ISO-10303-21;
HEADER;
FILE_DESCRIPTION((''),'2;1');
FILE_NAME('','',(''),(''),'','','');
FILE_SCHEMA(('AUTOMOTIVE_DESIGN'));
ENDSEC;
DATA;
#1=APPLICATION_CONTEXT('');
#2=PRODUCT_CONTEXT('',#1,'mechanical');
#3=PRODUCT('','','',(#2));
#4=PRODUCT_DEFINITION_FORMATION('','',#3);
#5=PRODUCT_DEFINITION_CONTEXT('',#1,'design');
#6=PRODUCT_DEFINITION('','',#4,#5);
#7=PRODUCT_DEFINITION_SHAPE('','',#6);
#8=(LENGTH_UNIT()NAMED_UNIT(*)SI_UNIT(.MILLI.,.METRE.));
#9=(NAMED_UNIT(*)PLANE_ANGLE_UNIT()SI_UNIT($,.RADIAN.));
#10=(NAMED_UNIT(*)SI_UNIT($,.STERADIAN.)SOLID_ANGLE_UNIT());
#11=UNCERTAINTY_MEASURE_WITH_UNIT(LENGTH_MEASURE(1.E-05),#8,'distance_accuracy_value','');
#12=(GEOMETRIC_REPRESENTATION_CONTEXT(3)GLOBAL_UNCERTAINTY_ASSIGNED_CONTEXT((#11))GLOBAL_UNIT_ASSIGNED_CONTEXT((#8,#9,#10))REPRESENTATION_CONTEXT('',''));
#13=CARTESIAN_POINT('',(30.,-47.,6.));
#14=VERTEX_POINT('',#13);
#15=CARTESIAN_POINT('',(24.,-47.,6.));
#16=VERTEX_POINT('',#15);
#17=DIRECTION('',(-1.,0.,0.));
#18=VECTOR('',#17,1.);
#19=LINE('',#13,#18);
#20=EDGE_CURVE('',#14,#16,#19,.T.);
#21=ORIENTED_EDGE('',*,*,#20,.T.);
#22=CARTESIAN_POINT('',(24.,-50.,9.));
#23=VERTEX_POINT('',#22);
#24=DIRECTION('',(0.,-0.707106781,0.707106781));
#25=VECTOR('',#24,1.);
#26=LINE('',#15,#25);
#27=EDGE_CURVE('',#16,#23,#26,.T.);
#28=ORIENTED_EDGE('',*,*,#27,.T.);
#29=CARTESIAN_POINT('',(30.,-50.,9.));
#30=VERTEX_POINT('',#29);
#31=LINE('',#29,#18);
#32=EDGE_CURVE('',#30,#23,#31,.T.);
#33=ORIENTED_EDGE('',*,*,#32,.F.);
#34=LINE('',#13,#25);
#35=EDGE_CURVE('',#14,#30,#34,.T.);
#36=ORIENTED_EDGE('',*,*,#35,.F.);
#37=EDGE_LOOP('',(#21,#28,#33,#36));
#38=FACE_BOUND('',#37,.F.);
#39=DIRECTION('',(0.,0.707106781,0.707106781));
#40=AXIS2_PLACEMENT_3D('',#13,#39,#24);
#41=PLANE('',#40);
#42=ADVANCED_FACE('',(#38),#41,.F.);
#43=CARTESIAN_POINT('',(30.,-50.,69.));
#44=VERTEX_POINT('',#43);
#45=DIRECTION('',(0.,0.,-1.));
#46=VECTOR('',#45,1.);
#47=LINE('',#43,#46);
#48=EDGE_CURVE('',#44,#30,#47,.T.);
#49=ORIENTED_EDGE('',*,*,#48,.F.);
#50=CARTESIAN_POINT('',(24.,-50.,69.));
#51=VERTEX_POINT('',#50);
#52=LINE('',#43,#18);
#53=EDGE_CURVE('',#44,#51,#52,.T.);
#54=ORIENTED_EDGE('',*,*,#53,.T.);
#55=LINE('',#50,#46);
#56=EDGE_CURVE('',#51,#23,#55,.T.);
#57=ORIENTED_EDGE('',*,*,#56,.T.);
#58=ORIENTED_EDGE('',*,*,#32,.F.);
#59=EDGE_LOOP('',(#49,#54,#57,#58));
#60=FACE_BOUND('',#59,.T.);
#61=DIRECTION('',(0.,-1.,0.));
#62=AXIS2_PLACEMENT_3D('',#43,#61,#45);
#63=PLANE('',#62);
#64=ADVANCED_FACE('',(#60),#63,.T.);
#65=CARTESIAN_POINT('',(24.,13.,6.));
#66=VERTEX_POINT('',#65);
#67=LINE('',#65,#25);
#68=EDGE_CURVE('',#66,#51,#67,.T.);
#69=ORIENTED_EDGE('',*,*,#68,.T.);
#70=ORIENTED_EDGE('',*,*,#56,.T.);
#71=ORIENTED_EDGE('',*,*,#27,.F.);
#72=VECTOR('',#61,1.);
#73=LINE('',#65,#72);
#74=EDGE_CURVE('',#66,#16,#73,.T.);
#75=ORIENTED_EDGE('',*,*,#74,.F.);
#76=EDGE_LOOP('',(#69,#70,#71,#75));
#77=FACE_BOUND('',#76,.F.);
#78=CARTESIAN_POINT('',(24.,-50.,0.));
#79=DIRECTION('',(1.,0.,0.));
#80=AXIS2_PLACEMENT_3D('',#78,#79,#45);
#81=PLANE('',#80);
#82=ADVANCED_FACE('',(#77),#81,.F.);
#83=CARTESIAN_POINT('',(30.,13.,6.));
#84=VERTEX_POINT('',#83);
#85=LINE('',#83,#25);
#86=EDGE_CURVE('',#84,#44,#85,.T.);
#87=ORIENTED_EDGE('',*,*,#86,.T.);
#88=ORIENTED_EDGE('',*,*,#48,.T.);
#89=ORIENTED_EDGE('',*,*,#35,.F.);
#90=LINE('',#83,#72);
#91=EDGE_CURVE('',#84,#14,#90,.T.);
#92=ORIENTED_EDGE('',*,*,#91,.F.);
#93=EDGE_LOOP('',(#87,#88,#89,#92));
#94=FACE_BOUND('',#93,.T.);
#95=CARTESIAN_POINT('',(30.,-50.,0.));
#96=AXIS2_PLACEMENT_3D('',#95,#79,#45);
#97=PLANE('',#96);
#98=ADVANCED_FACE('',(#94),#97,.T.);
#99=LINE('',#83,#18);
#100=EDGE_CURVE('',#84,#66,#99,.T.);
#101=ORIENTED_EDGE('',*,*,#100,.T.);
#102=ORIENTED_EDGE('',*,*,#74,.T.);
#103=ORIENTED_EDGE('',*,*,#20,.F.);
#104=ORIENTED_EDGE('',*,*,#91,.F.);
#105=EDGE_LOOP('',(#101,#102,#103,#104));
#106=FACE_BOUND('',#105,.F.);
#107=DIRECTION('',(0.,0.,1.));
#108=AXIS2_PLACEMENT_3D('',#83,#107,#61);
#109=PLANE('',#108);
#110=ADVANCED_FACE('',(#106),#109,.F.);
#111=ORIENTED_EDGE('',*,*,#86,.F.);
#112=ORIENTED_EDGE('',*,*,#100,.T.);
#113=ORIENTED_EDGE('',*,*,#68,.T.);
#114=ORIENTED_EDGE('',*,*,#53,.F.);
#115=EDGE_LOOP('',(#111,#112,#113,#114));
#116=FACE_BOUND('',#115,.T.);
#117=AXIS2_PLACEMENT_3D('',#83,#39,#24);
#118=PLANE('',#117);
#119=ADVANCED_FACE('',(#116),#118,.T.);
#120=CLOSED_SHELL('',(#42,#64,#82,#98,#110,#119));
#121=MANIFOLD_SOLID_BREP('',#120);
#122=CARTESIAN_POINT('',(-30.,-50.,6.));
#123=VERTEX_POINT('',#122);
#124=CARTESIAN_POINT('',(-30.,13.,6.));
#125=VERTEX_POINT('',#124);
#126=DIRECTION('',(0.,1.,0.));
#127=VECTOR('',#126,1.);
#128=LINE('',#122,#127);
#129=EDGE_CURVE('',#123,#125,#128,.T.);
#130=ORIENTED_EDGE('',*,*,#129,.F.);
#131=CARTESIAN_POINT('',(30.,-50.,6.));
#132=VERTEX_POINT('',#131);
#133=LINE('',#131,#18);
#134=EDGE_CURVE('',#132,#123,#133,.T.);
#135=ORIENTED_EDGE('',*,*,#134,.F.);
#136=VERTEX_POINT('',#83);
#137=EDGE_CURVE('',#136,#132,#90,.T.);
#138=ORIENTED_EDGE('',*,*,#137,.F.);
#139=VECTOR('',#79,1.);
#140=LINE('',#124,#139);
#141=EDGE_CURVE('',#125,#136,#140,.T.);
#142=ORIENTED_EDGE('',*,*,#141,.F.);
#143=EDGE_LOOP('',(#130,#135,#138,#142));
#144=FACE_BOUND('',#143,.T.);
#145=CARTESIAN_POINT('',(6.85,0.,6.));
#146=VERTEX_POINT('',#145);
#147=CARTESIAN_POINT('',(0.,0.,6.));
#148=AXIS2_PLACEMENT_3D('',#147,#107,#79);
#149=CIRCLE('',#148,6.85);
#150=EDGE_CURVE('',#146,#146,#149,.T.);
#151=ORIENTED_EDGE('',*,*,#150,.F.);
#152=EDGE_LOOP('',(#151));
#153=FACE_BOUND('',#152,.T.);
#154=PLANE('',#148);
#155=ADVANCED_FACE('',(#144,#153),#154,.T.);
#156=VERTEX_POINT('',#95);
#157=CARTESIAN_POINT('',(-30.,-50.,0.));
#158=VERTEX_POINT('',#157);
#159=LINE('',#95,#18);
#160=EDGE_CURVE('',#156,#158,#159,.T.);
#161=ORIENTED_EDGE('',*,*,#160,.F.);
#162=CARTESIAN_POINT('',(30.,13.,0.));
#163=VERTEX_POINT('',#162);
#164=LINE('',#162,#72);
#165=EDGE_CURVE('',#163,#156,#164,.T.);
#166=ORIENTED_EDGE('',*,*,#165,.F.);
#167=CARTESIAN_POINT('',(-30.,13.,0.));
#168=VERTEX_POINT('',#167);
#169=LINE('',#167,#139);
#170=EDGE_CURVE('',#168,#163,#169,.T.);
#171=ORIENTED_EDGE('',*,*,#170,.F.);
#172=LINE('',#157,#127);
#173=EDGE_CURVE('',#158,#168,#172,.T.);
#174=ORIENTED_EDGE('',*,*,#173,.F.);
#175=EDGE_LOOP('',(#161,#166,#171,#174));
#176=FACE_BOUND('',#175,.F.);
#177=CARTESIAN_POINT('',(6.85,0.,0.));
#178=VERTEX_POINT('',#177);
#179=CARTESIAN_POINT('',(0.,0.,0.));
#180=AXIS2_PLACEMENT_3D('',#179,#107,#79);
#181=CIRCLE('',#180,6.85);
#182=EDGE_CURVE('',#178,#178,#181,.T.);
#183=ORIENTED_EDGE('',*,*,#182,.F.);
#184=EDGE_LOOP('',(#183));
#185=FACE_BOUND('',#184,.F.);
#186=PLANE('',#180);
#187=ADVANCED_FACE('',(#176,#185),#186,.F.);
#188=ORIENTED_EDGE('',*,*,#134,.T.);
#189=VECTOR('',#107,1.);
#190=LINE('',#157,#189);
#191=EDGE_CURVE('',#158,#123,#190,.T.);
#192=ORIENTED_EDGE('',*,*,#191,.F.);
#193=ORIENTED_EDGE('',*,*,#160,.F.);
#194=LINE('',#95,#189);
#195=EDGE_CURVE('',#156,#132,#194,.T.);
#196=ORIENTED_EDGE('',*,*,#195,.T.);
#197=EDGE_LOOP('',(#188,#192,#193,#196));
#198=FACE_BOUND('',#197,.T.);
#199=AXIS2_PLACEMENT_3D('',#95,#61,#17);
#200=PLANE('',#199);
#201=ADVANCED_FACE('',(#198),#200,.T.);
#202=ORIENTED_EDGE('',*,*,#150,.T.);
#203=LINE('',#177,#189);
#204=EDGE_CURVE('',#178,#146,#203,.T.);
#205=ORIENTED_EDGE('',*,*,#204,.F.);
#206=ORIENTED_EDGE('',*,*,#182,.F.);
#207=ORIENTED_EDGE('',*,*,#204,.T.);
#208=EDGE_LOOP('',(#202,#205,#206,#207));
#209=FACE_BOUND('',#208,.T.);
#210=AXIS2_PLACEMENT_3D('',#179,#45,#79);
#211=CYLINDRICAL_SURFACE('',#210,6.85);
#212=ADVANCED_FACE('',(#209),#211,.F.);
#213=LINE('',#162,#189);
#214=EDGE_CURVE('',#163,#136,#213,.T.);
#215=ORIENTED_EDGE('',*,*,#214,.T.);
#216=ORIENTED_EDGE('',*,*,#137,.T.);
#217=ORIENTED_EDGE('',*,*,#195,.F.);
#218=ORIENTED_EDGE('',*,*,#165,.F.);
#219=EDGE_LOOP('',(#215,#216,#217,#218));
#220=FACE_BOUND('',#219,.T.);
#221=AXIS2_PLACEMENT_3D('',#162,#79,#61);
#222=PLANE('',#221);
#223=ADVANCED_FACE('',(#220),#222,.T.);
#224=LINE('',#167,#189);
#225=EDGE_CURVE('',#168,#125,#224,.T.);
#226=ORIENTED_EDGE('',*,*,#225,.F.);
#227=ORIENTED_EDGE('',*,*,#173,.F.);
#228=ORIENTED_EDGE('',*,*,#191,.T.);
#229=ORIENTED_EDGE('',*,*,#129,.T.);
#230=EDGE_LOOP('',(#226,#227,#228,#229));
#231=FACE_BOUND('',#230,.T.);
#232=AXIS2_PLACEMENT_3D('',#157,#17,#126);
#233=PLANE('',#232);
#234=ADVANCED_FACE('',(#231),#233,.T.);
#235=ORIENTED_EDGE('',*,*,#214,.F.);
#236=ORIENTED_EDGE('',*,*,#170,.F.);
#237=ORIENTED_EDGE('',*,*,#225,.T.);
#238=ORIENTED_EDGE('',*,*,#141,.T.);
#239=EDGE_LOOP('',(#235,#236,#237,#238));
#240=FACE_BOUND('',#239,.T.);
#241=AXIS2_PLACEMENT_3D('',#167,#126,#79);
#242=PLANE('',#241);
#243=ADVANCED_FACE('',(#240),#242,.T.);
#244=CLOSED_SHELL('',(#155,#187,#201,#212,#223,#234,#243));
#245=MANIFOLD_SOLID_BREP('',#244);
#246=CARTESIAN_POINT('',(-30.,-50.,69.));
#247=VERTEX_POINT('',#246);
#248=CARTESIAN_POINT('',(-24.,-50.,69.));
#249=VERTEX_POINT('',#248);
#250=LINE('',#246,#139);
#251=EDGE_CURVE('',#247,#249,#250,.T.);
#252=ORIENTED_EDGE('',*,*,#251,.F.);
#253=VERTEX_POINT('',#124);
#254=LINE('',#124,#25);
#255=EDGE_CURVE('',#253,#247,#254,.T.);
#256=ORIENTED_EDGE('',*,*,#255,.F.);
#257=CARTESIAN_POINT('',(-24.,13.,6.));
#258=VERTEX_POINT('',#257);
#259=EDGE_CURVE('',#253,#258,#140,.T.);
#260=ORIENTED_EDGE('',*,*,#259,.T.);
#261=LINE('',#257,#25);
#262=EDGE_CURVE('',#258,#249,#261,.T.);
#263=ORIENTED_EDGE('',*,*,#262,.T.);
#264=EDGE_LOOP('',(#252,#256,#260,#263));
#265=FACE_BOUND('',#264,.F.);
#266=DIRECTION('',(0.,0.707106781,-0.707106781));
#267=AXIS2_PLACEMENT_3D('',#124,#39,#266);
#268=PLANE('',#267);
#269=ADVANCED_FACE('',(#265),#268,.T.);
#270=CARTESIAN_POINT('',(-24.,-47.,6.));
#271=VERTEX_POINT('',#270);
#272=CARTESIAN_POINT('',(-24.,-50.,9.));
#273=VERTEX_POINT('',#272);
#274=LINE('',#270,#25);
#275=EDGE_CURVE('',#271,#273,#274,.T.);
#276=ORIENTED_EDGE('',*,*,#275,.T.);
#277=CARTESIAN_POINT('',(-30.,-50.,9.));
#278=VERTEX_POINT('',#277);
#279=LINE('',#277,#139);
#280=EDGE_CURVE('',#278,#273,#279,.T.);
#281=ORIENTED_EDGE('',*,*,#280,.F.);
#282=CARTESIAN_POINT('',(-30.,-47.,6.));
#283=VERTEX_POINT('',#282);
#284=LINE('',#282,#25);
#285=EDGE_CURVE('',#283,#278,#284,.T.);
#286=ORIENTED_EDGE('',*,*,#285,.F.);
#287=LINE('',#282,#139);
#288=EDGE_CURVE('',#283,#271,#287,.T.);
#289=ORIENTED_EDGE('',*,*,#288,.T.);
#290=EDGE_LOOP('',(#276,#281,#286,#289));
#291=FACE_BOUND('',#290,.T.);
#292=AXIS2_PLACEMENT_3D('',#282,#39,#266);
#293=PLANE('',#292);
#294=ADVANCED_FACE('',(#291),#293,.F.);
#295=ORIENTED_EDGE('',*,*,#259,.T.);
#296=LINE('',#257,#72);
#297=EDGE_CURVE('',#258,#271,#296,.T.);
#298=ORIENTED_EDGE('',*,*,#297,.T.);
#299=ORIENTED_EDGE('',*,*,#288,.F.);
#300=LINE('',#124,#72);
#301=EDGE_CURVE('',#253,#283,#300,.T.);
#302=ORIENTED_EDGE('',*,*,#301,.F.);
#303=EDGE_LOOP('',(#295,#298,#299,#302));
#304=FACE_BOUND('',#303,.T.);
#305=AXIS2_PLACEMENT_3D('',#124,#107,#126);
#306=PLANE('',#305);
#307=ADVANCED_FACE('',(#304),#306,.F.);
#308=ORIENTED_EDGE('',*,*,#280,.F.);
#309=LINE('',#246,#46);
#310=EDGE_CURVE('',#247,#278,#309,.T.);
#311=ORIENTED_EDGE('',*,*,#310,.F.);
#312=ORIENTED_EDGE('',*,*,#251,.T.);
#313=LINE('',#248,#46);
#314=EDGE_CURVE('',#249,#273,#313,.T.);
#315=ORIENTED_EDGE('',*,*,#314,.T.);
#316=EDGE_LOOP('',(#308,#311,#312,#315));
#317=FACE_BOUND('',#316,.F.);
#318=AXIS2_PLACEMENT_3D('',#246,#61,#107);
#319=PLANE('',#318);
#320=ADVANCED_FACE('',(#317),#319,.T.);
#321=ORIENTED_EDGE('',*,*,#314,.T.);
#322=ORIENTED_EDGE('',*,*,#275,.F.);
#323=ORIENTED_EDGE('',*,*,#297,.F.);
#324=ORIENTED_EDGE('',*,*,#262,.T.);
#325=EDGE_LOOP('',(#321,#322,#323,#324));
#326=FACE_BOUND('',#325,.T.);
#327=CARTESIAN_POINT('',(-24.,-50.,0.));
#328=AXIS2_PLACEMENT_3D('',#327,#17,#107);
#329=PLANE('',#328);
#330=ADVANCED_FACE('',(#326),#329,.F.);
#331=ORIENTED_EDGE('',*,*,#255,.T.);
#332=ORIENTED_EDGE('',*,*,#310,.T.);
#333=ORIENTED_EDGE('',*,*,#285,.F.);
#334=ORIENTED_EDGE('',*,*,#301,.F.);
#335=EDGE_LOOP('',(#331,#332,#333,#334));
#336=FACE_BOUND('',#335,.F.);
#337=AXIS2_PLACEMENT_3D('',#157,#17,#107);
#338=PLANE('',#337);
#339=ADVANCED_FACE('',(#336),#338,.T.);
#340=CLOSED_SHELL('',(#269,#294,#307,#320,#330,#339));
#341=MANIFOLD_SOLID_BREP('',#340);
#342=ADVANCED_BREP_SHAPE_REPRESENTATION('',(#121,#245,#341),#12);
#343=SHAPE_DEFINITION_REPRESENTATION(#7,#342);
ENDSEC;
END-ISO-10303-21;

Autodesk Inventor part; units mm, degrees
ref_plane "YZ Plane" through (0, 0, 0) normal (1, 0, 0) x (0, 1, 0)
ref_plane "XZ Plane" through (0, 0, 0) normal (0, 1, 0) x (-1, 0, 0)
ref_plane "XY Plane" through (0, 0, 0) normal (0, 0, 1) x (1, 0, 0)
sketch "Sketch1" plane through (0, 0, 0) normal (0, 0, 1) x (1, 0, 0)
  circle A0 centre (0, 0) radius 6.85
  line L0 (-30, 13) -> (30, 13)
  line L1 (30, 13) -> (30, -50)
  line L2 (30, -50) -> (-30, -50)
  line L3 (-30, -50) -> (-30, 13)
  point P0 (0, 13)
  dimension "d0" = 13.7
  dimension "d1" = 50
  dimension "d2" = 60
  dimension "d4" = 13
extrude "Plate1" add sketch "Sketch1" along normal blind 6
sketch "Sketch2" plane through (30, -50, 0) normal (1, 0, 0) x (0, 0, -1)
  line L0 (-6, 63) -> (-6, 0)
  line L1 (0, 0) -> (-6, 0)
  line L2 (0, 63) -> (0, 0)
  line L3 (0, 63) -> (-6, 63)
  line L4 (-6, 63) -> (-69, 0)
  line L5 (-69, 0) -> (-9, 0)
  line L6 (-6, 0) -> (-6, 63)
  line L7 (-6, 63) -> (-6, 3)
  line L8 (-6, 3) -> (-9, 0)
  point P0 (0, 50)
  dimension "d5" = 45
  dimension "d7" = 3
  dimension "d8" = 3
extrude "Plate2" add sketch "Sketch2" against normal blind 6 separate body contours L0 L8 L5 L4
mirror "Mirror1" about plane through (0, 0, 0) normal (1, 0, 0) bodies 2
equation "\"d8\" = d7"
equation "\"d3\" = Thickness"
equation "\"d6\" = Thickness"
equation "\"BendRadius\" = Thickness"
equation "\"BendReliefWidth\" = Thickness"
equation "\"BendReliefDepth\" = 0.5 * Thickness"
equation "\"CornerReliefSize\" = 4 * Thickness"
equation "\"MinimumRemnant\" = 2 * Thickness"
equation "\"TransitionRadius\" = BendRadius"
equation "\"JacobiRadiusSize\" = BendRadius"
equation "\"GapSize\" = Thickness"
equation "\"Thickness\" = 6"
properties part number "Break_tensor_support"
